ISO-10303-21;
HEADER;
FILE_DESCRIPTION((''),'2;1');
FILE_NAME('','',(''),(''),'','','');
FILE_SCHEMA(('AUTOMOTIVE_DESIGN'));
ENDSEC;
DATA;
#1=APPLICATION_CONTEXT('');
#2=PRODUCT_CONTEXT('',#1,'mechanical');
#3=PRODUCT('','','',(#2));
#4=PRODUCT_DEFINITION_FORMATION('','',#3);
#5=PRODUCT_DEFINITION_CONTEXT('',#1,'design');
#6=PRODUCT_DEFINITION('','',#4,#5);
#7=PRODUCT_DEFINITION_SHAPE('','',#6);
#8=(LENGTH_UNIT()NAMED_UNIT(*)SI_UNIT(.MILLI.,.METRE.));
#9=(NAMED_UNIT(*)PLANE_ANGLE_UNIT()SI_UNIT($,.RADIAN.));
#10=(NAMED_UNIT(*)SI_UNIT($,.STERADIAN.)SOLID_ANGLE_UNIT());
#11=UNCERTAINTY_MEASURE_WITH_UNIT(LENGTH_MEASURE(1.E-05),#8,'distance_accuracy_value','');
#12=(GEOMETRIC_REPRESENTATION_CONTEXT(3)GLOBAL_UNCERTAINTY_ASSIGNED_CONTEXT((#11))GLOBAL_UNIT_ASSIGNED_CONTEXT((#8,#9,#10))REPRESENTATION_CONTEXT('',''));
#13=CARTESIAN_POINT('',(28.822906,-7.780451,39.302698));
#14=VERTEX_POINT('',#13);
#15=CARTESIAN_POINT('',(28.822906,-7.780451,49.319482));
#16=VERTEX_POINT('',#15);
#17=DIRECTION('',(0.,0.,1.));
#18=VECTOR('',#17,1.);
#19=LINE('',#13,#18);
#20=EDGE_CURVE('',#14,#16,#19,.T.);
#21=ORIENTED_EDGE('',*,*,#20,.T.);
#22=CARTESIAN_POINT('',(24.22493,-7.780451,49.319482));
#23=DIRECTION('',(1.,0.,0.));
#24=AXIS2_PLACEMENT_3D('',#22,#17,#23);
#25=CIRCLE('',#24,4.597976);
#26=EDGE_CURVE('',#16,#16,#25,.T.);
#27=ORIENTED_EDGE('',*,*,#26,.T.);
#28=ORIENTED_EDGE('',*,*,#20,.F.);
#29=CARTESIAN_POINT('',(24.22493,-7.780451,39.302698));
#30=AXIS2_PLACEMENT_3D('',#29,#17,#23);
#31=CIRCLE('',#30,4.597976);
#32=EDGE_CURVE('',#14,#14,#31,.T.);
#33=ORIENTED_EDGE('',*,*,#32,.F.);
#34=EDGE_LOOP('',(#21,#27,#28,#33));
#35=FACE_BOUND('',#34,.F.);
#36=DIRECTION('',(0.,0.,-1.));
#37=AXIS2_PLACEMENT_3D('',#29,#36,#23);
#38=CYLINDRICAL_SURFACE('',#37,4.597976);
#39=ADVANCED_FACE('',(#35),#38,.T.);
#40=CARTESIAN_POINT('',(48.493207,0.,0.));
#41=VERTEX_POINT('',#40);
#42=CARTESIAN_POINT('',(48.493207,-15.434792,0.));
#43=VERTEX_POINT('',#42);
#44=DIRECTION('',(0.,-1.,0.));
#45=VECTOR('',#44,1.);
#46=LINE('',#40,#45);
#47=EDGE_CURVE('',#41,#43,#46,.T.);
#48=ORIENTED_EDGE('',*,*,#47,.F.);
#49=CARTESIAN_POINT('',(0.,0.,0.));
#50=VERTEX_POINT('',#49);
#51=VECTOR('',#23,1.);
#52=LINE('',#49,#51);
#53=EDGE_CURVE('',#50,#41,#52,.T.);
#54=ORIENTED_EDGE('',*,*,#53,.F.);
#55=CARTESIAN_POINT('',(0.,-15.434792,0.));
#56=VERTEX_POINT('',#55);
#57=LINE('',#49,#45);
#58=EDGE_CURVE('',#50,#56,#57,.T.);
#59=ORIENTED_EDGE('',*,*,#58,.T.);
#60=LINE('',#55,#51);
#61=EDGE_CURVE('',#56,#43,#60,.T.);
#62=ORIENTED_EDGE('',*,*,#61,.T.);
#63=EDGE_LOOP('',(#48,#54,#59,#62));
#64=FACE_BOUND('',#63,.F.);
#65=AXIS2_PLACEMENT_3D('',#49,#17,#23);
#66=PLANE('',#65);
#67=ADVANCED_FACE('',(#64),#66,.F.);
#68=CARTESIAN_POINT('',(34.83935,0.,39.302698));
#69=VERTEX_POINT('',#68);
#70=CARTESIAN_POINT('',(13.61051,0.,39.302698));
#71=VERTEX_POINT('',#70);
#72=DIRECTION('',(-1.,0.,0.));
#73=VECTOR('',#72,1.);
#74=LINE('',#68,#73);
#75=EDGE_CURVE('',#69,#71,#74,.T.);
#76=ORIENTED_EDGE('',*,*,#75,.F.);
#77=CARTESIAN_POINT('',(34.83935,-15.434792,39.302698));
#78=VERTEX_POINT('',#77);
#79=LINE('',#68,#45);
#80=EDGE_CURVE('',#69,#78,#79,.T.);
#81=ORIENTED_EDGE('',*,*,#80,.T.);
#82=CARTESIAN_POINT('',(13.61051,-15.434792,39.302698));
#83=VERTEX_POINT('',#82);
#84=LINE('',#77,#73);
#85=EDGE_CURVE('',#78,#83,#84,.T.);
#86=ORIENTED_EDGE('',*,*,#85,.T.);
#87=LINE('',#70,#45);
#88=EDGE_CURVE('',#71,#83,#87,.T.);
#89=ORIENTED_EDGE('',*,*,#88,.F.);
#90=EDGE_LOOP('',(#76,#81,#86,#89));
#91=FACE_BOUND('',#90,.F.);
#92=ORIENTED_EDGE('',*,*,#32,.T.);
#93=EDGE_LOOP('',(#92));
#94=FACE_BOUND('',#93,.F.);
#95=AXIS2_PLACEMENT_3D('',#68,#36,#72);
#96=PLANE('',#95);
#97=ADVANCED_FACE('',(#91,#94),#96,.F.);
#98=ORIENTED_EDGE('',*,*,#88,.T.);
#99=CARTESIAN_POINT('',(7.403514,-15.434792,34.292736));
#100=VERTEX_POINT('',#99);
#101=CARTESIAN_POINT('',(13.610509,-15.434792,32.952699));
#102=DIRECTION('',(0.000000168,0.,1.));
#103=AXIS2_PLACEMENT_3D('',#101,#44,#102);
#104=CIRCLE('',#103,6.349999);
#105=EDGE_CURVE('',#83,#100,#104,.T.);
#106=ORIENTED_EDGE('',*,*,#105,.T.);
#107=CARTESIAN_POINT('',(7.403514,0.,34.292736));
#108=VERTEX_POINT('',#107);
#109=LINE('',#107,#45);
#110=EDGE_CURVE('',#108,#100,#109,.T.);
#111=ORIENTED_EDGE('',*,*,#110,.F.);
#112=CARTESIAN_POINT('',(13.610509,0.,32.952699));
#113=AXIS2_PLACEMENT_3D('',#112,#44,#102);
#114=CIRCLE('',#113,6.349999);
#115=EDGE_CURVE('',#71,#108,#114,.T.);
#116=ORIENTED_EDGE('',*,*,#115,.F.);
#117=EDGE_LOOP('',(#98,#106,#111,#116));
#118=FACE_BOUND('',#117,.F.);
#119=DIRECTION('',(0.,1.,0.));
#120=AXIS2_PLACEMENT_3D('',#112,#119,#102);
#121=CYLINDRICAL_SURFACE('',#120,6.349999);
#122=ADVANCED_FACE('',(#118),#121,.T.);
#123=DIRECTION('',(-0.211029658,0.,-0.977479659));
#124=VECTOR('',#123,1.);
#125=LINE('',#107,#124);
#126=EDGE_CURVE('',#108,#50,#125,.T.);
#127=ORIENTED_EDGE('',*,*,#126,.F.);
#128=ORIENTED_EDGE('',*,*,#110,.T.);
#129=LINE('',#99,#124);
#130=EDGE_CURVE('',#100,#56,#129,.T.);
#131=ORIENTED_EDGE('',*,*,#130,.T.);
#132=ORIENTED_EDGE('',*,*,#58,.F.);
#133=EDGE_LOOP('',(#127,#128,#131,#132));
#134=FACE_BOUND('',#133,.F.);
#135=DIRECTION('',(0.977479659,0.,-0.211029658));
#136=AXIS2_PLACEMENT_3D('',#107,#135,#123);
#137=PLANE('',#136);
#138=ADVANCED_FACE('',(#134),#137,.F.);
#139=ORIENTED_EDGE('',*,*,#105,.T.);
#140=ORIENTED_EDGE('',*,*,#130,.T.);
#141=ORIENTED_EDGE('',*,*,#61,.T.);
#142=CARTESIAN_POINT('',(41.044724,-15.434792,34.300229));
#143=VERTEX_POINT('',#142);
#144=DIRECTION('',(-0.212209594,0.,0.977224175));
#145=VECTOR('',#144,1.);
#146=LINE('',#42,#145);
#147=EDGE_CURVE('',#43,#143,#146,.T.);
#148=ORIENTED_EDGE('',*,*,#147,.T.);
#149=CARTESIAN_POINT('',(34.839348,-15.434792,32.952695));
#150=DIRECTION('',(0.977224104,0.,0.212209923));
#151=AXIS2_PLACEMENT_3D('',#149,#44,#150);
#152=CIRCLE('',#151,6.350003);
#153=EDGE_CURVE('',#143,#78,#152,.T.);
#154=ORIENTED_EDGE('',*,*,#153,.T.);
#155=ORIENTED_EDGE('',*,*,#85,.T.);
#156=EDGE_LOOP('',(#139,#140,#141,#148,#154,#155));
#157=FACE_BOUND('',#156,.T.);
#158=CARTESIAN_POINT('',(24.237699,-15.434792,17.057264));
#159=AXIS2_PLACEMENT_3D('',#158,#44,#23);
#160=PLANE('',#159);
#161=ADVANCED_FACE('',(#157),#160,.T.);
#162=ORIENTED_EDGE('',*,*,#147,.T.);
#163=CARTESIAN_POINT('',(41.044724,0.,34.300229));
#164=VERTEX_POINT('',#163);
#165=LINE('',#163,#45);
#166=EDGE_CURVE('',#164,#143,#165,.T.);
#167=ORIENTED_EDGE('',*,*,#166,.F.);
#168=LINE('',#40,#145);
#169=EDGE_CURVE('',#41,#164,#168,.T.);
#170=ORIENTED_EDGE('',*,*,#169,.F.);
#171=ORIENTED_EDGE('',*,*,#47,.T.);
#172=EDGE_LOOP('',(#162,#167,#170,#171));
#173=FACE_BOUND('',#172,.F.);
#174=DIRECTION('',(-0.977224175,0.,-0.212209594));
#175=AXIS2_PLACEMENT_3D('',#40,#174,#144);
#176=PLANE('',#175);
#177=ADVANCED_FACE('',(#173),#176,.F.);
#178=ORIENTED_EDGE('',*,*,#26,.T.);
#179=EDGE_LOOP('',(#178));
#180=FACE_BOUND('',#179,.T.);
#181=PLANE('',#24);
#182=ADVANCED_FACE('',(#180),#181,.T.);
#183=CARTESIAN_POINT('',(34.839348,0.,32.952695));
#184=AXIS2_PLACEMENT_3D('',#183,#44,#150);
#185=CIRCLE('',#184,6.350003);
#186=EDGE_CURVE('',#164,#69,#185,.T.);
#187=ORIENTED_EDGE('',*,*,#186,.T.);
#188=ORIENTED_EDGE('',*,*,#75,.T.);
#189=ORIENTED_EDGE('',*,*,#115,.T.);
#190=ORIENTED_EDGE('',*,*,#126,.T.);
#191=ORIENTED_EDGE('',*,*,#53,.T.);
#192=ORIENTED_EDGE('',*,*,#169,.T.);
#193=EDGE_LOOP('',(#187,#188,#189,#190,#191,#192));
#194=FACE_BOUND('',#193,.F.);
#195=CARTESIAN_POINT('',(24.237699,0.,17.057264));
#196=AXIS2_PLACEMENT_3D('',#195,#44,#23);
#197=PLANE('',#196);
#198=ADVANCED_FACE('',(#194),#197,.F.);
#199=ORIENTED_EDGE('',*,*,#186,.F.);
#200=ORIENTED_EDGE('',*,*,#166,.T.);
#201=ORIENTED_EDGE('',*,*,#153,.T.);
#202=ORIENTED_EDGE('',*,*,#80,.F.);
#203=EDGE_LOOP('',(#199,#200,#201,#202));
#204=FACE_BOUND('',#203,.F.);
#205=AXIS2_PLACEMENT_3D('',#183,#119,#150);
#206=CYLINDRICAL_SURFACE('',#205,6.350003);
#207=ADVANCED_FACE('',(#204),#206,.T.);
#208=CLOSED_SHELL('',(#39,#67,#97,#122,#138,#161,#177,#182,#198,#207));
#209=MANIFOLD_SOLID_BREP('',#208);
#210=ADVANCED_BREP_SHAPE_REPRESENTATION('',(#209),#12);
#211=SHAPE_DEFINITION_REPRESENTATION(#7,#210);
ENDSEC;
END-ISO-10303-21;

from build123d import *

# Parameters (mm, degrees)
F1_DEPTH = 15.434792
F2_R     = 4.597976
F3_DEPTH = 10.016784


with BuildPart() as f1:
    # F0 (on Front) → F1 (new body)
    with BuildSketch(Plane.XZ):
        with BuildLine():
            Line((7.403514, 34.292736), (0, 0))
            Line((0, 0), (48.493207, 0))
            Line((48.493207, 0), (41.044724, 34.300229))
            ThreePointArc((41.044724, 34.300229), (38.824678, 37.896346), (34.83935, 39.302698))
            Line((34.83935, 39.302698), (13.61051, 39.302698))
            ThreePointArc((13.61051, 39.302698), (9.622198, 37.89394), (7.403514, 34.292736))
        make_face()
    extrude(amount=F1_DEPTH)

    # F2 (on face) → F3 (join)
    with BuildSketch(Plane.XY.offset(39.302698)):
        with Locations((24.22493, -7.780451)):
            Circle(F2_R)
    extrude(amount=F3_DEPTH)


solid = f1.part
